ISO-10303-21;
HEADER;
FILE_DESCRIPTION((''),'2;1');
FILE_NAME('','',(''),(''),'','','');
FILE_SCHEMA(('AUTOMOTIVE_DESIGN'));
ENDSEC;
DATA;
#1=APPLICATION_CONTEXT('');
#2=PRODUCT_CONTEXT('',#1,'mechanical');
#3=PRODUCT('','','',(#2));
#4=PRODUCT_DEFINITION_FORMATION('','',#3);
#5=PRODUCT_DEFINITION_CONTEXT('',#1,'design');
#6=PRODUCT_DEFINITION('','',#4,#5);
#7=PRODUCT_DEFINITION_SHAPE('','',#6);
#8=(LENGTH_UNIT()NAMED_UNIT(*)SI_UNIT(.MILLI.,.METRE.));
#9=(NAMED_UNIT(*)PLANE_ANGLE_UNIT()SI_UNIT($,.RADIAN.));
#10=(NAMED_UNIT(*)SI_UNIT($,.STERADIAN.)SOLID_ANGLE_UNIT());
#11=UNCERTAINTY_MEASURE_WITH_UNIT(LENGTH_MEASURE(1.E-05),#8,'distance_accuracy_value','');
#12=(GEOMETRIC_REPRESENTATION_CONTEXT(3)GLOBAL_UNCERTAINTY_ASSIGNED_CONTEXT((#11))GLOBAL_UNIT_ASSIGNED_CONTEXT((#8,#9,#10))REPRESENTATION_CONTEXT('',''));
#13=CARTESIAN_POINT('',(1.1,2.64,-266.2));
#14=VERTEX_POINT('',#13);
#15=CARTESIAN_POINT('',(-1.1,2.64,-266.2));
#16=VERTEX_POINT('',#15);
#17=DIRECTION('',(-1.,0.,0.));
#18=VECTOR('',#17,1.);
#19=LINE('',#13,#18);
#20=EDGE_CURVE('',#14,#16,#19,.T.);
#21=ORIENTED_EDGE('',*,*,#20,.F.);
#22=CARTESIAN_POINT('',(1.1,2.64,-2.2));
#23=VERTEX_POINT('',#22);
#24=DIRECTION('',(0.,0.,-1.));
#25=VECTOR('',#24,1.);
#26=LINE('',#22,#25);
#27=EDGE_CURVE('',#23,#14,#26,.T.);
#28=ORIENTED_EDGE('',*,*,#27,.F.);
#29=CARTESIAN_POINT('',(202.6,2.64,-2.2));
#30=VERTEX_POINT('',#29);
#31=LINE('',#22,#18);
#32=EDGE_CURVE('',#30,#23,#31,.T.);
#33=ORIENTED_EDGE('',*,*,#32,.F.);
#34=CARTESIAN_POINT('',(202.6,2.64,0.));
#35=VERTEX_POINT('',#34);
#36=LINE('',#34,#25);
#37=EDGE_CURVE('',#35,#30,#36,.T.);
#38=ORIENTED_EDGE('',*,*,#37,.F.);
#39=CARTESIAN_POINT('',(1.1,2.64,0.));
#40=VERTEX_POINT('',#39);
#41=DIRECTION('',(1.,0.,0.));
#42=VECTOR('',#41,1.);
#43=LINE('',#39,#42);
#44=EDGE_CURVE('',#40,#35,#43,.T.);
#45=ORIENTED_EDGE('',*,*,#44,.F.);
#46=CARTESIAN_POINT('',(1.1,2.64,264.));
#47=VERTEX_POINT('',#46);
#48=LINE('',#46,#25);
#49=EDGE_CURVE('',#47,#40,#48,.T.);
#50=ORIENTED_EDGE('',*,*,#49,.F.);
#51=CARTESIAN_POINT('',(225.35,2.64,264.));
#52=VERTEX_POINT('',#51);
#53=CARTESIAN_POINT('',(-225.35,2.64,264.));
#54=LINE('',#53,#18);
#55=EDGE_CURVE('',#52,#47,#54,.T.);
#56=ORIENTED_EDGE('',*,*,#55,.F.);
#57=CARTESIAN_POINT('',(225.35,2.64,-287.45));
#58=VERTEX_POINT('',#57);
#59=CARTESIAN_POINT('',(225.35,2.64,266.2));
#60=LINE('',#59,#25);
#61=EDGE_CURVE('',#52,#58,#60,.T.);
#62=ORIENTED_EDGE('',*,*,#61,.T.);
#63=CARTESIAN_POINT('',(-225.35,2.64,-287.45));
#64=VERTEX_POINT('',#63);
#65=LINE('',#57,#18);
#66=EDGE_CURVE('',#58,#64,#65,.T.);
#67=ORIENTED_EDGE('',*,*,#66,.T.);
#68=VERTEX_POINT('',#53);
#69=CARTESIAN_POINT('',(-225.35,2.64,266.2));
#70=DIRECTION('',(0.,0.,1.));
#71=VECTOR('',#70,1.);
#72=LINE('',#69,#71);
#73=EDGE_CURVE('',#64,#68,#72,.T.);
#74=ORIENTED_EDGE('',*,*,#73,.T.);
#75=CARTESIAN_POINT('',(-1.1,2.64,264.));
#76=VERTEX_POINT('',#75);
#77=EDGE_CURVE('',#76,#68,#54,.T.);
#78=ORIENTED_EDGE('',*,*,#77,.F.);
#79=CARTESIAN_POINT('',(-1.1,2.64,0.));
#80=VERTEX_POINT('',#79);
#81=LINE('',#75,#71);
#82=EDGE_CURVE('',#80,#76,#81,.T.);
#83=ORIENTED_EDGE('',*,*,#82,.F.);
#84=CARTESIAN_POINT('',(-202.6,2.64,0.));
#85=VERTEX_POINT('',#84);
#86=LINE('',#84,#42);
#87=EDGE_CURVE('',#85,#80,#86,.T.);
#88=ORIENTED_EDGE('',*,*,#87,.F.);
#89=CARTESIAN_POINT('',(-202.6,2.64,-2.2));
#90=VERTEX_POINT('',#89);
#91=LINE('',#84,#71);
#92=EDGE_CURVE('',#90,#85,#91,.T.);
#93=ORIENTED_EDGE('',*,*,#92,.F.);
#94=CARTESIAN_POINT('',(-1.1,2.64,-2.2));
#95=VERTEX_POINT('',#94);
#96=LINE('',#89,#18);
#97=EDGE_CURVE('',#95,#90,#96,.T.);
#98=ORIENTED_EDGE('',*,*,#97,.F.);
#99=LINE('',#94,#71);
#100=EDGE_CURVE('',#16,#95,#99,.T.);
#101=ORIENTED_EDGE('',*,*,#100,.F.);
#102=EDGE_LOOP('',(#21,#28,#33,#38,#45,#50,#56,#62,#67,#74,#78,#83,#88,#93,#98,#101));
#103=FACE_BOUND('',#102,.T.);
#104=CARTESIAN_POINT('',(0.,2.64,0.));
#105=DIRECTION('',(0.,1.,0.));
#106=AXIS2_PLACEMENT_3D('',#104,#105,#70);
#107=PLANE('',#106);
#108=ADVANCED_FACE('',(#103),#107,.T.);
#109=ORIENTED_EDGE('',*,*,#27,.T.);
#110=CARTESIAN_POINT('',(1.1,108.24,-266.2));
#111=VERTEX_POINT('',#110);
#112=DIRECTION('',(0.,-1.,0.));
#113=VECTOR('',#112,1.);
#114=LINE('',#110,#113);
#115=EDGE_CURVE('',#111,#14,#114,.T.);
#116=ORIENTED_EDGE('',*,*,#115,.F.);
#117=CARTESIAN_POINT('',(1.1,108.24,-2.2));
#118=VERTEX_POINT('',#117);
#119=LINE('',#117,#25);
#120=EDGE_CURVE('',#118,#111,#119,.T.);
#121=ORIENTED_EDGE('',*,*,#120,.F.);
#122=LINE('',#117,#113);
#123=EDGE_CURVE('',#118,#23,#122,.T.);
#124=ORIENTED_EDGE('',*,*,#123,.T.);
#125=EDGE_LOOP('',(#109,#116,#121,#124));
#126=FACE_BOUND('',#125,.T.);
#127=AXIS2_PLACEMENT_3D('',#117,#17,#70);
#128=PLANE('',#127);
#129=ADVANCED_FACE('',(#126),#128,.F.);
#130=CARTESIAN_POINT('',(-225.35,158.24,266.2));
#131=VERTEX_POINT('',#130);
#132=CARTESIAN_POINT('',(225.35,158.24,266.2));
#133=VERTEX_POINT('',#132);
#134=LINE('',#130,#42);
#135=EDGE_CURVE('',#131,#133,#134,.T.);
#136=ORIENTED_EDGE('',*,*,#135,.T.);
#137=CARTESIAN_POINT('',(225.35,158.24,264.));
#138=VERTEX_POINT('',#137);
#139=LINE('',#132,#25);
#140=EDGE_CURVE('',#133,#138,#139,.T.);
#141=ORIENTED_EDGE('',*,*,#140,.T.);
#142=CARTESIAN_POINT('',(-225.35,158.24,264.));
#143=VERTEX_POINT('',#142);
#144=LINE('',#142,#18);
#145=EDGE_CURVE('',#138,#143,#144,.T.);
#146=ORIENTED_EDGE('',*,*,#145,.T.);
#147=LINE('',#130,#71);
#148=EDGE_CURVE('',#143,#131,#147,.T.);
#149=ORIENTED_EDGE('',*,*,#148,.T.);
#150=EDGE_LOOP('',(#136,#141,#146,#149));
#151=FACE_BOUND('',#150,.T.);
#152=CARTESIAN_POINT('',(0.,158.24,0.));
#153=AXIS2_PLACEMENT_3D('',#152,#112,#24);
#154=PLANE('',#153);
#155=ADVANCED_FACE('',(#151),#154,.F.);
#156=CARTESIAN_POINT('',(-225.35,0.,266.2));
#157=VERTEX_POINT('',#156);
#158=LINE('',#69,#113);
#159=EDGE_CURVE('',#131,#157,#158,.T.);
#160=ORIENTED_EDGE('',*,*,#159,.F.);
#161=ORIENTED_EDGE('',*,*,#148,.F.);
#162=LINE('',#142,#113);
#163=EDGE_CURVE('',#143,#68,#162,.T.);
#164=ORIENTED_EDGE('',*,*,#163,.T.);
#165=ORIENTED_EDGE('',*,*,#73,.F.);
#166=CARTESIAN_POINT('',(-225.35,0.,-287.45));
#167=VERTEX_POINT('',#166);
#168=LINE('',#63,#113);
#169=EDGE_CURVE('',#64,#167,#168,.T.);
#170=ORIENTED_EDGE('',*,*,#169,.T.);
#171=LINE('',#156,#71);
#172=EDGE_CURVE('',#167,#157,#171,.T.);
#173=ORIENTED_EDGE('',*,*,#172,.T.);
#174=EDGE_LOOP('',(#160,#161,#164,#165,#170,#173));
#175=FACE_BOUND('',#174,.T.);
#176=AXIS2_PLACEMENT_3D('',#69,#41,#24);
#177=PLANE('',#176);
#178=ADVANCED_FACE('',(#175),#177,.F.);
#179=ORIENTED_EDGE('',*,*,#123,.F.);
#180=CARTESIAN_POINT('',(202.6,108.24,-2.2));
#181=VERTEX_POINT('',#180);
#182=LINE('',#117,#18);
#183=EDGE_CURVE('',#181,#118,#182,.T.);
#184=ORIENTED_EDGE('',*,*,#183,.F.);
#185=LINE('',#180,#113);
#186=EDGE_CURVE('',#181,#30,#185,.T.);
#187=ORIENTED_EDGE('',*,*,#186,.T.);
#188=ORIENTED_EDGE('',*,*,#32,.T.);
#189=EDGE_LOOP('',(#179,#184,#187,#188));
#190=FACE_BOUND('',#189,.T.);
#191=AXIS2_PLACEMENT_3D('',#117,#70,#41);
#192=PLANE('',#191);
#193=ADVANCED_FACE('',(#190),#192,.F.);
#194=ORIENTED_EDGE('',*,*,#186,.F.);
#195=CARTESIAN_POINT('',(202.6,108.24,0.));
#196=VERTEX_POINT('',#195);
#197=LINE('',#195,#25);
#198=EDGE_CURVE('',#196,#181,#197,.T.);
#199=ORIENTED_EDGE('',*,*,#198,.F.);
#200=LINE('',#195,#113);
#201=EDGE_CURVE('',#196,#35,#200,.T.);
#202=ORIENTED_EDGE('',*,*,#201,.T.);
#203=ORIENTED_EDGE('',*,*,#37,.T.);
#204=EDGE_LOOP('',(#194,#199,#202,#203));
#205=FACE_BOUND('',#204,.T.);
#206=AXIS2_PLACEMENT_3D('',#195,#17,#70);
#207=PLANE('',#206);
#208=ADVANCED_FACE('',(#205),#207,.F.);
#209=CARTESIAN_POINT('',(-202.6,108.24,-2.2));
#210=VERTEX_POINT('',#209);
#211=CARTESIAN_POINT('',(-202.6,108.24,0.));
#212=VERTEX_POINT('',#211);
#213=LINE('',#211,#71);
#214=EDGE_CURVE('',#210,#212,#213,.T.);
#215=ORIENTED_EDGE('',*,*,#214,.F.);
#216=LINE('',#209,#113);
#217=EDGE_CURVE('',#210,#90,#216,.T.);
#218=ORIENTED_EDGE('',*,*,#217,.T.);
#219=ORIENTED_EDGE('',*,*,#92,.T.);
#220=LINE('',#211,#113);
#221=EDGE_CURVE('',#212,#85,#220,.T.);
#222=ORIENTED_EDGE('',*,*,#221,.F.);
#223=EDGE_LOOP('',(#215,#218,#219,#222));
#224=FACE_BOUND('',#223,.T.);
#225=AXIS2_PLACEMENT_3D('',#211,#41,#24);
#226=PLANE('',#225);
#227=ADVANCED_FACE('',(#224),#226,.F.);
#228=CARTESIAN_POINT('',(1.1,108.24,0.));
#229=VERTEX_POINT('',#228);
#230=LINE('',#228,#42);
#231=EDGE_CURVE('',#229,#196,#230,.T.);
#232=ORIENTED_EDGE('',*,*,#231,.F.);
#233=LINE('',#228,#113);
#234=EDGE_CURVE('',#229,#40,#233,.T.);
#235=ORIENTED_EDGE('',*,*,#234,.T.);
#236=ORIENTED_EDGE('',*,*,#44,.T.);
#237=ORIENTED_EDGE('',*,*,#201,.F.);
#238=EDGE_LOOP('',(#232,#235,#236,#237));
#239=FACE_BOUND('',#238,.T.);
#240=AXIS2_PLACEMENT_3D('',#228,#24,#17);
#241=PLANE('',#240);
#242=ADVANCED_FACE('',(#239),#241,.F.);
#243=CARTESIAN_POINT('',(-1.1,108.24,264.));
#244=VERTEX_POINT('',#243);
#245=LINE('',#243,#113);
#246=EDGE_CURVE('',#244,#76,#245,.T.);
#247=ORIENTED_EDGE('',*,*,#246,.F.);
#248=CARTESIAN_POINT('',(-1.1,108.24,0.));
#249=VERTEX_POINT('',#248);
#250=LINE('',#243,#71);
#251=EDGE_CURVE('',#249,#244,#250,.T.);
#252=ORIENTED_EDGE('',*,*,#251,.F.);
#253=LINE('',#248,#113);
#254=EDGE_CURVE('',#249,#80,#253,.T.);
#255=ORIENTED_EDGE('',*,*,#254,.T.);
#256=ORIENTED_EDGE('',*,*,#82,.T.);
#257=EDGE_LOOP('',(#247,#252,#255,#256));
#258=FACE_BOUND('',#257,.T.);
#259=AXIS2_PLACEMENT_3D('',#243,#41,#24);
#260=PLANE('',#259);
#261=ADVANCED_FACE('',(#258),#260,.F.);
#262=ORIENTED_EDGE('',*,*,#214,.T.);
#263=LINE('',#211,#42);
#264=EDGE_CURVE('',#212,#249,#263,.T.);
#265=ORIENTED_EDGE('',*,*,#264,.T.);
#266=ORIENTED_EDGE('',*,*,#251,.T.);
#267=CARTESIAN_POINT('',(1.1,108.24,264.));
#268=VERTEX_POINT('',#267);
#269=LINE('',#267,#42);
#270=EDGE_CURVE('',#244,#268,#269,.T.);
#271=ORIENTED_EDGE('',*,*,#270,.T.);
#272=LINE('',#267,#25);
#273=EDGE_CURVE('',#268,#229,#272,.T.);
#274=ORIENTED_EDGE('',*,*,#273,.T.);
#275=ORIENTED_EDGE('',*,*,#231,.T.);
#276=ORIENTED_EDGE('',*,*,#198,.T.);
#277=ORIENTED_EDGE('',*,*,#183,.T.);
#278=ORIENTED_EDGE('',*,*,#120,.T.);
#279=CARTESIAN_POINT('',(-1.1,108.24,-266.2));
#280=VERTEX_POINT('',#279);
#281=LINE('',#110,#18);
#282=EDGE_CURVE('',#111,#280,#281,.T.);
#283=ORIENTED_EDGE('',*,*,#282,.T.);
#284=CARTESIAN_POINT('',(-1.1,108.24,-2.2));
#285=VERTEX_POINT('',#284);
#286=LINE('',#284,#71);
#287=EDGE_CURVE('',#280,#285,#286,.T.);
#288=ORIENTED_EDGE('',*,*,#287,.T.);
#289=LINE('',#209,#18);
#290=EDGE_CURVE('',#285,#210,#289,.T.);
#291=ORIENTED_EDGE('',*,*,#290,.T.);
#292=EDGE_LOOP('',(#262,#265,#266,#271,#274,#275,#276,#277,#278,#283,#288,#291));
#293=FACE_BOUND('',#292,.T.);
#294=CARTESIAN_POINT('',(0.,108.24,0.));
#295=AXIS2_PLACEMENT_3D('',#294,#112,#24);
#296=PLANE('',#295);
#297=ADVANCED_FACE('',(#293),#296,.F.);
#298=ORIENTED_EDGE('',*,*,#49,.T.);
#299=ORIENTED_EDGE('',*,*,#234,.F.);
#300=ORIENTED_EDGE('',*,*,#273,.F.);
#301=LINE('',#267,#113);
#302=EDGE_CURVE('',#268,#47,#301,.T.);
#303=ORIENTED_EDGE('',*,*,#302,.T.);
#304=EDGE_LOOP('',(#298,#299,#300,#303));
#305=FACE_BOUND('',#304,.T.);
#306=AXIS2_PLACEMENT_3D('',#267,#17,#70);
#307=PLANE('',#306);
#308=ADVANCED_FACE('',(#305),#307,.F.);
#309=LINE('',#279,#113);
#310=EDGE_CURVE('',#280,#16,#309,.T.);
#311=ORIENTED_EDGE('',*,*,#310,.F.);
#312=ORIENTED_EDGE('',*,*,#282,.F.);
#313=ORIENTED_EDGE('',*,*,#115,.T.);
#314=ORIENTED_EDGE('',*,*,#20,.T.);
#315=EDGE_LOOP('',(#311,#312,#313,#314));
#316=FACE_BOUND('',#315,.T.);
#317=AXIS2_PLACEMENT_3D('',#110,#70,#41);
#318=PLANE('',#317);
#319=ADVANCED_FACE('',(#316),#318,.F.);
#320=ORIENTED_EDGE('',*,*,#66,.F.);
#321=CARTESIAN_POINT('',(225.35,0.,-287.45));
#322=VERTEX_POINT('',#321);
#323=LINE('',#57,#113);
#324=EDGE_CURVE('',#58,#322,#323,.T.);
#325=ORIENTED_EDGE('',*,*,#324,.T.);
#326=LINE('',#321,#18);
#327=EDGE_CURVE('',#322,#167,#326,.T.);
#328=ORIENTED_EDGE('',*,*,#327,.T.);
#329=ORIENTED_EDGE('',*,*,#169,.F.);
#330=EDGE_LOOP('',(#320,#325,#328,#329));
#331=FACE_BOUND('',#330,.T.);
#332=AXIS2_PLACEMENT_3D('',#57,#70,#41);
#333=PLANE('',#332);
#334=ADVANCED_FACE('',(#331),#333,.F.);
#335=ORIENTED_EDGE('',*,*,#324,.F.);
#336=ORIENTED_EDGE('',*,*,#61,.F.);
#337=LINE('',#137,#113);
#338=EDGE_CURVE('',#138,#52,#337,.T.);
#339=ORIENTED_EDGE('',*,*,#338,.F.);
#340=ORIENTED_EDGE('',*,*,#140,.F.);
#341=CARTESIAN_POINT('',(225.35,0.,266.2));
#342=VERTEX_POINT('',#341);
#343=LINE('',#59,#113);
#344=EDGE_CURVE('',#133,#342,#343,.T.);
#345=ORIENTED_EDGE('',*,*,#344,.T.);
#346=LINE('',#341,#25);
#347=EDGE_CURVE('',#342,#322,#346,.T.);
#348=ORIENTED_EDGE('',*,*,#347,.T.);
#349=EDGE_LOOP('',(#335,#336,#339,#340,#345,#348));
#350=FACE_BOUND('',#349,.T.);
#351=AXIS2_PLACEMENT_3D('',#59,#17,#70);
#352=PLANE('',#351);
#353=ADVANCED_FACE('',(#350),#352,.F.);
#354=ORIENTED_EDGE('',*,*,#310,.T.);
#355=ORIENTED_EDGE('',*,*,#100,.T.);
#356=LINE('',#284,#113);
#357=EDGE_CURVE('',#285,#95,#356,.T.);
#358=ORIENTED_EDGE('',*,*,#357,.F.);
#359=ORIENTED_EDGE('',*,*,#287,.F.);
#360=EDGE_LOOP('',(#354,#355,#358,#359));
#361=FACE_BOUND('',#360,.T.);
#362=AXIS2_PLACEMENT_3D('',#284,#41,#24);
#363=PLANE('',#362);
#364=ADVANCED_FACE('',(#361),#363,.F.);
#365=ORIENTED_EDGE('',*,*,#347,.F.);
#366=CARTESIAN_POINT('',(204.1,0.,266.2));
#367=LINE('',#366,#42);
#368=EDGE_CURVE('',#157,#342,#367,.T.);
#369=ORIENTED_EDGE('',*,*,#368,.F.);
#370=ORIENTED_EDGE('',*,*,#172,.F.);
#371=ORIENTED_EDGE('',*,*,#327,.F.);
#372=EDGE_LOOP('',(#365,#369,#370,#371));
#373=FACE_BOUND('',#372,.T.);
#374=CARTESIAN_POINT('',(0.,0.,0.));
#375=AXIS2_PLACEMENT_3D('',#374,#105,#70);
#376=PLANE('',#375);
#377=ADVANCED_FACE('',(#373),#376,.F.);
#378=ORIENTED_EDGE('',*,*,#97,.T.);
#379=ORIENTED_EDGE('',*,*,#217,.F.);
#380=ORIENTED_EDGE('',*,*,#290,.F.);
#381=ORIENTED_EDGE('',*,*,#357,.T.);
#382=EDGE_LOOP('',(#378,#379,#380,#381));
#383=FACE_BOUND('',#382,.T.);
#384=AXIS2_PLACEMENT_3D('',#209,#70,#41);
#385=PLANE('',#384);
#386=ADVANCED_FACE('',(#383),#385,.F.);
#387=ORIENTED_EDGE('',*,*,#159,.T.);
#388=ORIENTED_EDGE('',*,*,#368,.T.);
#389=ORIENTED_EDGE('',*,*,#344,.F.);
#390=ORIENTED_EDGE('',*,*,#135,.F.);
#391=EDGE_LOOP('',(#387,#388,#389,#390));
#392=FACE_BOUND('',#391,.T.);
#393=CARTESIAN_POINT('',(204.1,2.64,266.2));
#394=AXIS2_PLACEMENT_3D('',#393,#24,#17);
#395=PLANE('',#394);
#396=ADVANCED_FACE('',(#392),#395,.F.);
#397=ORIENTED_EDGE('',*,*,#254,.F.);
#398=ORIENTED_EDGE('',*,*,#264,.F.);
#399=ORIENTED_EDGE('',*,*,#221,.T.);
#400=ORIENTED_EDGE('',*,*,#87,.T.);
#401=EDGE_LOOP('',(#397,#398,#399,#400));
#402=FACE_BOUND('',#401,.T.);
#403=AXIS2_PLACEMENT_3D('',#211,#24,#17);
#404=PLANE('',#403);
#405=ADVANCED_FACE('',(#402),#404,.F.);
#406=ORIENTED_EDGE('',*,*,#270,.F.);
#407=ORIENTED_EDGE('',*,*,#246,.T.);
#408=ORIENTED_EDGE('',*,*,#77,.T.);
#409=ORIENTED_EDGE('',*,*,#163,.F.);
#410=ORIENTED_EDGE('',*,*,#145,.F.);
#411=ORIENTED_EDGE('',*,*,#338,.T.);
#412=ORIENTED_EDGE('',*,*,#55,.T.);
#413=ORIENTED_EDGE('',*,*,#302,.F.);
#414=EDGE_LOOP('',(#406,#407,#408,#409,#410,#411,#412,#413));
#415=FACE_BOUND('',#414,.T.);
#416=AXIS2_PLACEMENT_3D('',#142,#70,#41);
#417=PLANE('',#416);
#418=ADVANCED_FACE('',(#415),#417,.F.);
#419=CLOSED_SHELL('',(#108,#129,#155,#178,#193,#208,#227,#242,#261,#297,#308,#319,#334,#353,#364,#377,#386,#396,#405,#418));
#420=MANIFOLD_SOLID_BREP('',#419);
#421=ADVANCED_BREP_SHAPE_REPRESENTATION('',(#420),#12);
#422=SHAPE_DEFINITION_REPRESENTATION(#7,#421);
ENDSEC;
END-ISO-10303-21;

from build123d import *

# Parameters (mm, degrees)
BOSS_EXTRUDE1_DEPTH = 2.64
SKETCH2_W           = 450.7
SKETCH2_H           = 2.2
BOSS_EXTRUDE2_DEPTH = 155.6
BOSS_EXTRUDE3_DEPTH = 105.6


with BuildPart() as part:
    # Sketch1 → Boss-Extrude1 (new body)
    with BuildSketch(Plane(origin=(0, 0, 0), x_dir=(1, 0, 0), z_dir=(0, 1, 0))):
        Polygon((-225.35, 287.45), (-225.35, -266.2), (-204.1, -266.2), (204.1, -266.2), (225.35, -266.2), (225.35, 287.45), align=None)
    extrude(amount=BOSS_EXTRUDE1_DEPTH)

    # Sketch2 → Boss-Extrude2 (add)
    with BuildSketch(Plane(origin=(0, 2.64, 0), x_dir=(1, 0, 0), z_dir=(0, 1, 0))):
        with Locations((0, -265.1)):
            Rectangle(SKETCH2_W, SKETCH2_H)
    extrude(amount=BOSS_EXTRUDE2_DEPTH)

    # Sketch3 → Boss-Extrude3 (add)
    with BuildSketch(Plane(origin=(0, 2.64, 0), x_dir=(1, 0, 0), z_dir=(0, 1, 0))):
        Polygon((1.1, -264), (1.1, 0), (202.6, 0), (202.6, 2.2), (1.1, 2.2), (1.1, 266.2), (-1.1, 266.2), (-1.1, 2.2), (-202.6, 2.2), (-202.6, 0), (-1.1, 0), (-1.1, -264), align=None)
    extrude(amount=BOSS_EXTRUDE3_DEPTH)


solid = part.part
